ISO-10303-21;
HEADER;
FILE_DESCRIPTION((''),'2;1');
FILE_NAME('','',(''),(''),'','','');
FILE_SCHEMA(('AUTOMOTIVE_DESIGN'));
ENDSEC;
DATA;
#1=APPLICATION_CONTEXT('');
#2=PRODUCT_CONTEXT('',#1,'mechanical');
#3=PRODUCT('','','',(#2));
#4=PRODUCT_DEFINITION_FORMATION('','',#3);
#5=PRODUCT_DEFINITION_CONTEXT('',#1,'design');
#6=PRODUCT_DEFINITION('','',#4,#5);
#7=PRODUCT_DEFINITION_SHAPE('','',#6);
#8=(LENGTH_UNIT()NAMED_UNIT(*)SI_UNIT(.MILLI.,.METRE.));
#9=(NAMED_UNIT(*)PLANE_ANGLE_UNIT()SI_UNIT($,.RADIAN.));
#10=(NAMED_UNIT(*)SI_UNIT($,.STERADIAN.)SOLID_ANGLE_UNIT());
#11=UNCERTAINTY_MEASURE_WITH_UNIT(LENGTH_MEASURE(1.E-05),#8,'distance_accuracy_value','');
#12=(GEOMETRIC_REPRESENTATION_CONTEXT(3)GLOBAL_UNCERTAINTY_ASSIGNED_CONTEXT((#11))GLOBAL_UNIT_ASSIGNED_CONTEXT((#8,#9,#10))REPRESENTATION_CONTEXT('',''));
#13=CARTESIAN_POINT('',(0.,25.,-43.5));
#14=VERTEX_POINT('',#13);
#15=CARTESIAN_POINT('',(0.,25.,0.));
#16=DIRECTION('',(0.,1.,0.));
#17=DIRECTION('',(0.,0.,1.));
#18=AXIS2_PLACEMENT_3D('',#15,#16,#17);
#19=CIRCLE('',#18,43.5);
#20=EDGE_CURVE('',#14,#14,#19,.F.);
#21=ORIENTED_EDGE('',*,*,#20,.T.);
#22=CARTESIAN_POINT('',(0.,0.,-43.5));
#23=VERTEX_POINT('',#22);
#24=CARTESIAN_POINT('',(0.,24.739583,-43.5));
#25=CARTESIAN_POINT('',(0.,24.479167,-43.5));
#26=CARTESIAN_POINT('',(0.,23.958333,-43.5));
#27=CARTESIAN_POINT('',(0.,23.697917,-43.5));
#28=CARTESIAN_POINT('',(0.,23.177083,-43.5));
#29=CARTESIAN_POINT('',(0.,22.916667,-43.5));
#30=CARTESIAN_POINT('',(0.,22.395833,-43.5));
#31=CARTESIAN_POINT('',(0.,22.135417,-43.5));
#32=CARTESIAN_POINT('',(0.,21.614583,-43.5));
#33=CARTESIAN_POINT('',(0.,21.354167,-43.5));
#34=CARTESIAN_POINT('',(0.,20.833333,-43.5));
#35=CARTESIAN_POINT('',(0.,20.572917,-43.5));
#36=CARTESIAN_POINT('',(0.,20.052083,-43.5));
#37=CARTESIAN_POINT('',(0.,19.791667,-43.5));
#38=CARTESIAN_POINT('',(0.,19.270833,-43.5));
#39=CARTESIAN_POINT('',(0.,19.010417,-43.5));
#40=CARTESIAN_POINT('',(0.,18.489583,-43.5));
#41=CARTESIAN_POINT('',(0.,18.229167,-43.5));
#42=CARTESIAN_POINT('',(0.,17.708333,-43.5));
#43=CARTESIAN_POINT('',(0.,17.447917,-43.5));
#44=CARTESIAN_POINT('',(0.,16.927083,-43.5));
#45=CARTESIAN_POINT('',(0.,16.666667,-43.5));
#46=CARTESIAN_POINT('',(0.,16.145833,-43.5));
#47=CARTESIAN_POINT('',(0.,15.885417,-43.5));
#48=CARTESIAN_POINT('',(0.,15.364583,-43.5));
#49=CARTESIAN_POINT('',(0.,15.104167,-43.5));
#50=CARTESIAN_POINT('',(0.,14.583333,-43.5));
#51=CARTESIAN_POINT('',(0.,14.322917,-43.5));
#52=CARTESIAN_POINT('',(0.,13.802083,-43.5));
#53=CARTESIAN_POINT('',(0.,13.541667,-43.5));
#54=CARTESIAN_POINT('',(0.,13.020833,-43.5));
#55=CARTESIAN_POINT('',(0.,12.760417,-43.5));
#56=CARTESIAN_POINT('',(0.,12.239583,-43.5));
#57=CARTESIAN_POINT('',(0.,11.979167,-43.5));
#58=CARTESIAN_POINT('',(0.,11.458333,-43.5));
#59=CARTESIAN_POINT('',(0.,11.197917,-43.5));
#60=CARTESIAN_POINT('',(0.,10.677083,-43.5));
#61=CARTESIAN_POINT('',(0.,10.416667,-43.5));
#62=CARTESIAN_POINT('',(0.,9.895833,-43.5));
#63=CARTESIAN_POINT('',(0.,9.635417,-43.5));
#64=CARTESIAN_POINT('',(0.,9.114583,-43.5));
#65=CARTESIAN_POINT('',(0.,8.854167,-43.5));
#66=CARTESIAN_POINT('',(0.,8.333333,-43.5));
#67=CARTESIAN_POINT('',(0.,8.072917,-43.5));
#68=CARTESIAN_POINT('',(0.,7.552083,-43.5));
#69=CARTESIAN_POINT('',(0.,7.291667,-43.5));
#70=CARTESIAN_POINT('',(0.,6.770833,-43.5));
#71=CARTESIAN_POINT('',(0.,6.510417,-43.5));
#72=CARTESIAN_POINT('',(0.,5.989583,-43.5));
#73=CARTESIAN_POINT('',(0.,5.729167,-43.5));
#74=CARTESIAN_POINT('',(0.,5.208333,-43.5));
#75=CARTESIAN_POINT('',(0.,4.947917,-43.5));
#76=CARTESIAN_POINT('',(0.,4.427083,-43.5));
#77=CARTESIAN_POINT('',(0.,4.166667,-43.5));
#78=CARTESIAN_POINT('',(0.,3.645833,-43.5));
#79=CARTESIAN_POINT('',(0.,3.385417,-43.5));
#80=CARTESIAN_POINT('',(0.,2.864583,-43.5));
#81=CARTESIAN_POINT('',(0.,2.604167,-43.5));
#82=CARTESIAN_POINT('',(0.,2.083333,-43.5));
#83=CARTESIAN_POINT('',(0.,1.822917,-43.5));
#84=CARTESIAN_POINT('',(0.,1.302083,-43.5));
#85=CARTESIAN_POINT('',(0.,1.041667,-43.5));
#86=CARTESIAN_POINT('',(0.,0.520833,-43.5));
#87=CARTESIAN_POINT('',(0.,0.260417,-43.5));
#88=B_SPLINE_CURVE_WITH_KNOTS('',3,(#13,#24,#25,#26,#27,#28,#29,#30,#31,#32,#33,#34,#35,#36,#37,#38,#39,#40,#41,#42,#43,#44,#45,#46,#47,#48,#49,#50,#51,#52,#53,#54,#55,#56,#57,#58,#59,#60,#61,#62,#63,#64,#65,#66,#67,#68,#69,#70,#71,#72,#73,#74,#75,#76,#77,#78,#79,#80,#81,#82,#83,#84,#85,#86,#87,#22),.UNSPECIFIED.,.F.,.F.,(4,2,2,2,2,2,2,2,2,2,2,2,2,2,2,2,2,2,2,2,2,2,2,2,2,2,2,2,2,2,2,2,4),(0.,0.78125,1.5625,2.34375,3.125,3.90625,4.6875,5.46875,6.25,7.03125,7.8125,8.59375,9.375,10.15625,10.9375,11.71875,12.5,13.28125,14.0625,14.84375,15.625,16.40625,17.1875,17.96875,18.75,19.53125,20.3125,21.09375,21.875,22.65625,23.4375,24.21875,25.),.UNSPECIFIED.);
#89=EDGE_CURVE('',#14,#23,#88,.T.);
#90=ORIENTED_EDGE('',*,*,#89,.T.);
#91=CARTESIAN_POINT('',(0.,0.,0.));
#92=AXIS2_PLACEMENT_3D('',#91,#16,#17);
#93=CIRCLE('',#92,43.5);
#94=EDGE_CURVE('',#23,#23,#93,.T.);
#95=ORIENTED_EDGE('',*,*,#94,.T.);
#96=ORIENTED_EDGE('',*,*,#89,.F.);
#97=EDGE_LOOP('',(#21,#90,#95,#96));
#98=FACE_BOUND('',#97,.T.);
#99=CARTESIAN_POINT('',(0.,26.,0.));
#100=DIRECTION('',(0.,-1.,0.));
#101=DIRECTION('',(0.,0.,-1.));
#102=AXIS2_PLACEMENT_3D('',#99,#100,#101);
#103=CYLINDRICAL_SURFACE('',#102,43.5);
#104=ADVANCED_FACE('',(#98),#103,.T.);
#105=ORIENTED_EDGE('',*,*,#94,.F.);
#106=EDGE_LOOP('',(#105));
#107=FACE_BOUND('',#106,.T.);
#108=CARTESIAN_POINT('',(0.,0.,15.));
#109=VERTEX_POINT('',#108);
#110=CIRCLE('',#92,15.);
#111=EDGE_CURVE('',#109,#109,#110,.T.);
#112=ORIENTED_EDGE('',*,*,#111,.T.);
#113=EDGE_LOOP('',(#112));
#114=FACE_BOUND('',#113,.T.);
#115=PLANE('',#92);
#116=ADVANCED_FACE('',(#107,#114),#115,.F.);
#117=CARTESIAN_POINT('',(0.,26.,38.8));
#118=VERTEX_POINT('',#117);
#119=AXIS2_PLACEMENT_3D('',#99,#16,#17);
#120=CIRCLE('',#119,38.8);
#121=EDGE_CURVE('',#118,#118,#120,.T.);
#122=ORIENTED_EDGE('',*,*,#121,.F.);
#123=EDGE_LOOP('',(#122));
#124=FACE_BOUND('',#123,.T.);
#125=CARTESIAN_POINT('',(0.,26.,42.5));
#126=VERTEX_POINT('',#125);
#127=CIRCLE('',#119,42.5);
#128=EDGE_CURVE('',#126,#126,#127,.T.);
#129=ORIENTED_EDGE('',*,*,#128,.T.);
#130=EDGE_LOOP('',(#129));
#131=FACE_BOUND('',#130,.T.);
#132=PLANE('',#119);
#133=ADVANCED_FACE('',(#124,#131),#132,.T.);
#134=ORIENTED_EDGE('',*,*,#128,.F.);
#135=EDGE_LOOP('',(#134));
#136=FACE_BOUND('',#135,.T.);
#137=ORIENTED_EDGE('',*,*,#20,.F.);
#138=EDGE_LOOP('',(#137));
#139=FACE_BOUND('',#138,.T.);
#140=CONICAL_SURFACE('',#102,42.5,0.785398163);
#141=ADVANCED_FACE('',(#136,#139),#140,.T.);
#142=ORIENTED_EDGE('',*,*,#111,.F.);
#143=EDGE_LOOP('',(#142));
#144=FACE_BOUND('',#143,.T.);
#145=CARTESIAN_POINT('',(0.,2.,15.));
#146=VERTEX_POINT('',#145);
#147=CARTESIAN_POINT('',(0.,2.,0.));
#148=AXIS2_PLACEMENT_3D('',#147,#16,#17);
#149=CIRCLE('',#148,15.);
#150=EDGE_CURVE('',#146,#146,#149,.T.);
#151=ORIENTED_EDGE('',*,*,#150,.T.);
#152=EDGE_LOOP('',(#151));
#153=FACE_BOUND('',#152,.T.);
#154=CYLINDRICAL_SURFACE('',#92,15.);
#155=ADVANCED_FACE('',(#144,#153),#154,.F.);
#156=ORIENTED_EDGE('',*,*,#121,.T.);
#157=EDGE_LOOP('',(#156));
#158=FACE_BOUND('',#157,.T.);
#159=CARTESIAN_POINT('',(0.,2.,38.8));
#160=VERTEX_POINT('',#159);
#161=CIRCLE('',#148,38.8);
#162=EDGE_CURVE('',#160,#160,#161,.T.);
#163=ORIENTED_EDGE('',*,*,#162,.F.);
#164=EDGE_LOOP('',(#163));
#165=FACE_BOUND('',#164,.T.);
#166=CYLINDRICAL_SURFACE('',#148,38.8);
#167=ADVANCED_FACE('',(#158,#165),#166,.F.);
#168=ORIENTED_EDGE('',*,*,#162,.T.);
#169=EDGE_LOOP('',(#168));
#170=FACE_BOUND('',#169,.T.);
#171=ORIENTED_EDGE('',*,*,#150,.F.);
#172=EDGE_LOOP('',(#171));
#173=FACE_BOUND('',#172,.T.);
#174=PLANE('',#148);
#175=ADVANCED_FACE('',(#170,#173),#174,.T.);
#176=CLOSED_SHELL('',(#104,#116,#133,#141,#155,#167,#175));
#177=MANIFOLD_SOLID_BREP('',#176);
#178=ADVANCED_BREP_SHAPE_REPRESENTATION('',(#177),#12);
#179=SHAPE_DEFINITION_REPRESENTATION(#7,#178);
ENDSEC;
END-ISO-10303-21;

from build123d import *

# Parameters (mm, degrees)
SKETCH_1_R          = 43.5
EXTRUDE_1_DEPTH     = 26
SKETCH_2_R          = 38.8
CUT_EXTRUDE_1_DEPTH = 24
SKETCH_3_R          = 15
CUT_EXTRUDE_2_DEPTH = 67.034082109
CHAMFER_1_SIZE      = 1


with BuildPart() as part:
    # 草图1 → 凸台-拉伸1 (new body)
    with BuildSketch(Plane(origin=(0, 0, 0), x_dir=(1, 0, 0), z_dir=(0, 1, 0))):
        with Locations(Location((0, 0, 0), (0, 0, 90))):
            Circle(SKETCH_1_R)
    extrude(amount=EXTRUDE_1_DEPTH)

    # 草图2 → 切除-拉伸1 (cut)
    with BuildSketch(Plane(origin=(0, 26, 0), x_dir=(1, 0, 0), z_dir=(0, 1, 0))):
        with Locations(Location((0, 0, 0), (0, 0, 270))):
            Circle(SKETCH_2_R)
    extrude(amount=-CUT_EXTRUDE_1_DEPTH, mode=Mode.SUBTRACT)

    # 草图3 → 切除-拉伸2 (cut, through all)
    with BuildSketch(Plane(origin=(0, 2, 0), x_dir=(1, 0, 0), z_dir=(0, 1, 0))):
        with Locations(Location((0, 0, 0), (0, 0, 270))):
            Circle(SKETCH_3_R)
    extrude(amount=-CUT_EXTRUDE_2_DEPTH, mode=Mode.SUBTRACT)

    # 倒角1
    chamfer_1_edges = [part.edges().sort_by_distance(p)[0] for p in [
        (0, 26, 43.5),
    ]]
    chamfer(chamfer_1_edges, length=CHAMFER_1_SIZE)


solid = part.part
